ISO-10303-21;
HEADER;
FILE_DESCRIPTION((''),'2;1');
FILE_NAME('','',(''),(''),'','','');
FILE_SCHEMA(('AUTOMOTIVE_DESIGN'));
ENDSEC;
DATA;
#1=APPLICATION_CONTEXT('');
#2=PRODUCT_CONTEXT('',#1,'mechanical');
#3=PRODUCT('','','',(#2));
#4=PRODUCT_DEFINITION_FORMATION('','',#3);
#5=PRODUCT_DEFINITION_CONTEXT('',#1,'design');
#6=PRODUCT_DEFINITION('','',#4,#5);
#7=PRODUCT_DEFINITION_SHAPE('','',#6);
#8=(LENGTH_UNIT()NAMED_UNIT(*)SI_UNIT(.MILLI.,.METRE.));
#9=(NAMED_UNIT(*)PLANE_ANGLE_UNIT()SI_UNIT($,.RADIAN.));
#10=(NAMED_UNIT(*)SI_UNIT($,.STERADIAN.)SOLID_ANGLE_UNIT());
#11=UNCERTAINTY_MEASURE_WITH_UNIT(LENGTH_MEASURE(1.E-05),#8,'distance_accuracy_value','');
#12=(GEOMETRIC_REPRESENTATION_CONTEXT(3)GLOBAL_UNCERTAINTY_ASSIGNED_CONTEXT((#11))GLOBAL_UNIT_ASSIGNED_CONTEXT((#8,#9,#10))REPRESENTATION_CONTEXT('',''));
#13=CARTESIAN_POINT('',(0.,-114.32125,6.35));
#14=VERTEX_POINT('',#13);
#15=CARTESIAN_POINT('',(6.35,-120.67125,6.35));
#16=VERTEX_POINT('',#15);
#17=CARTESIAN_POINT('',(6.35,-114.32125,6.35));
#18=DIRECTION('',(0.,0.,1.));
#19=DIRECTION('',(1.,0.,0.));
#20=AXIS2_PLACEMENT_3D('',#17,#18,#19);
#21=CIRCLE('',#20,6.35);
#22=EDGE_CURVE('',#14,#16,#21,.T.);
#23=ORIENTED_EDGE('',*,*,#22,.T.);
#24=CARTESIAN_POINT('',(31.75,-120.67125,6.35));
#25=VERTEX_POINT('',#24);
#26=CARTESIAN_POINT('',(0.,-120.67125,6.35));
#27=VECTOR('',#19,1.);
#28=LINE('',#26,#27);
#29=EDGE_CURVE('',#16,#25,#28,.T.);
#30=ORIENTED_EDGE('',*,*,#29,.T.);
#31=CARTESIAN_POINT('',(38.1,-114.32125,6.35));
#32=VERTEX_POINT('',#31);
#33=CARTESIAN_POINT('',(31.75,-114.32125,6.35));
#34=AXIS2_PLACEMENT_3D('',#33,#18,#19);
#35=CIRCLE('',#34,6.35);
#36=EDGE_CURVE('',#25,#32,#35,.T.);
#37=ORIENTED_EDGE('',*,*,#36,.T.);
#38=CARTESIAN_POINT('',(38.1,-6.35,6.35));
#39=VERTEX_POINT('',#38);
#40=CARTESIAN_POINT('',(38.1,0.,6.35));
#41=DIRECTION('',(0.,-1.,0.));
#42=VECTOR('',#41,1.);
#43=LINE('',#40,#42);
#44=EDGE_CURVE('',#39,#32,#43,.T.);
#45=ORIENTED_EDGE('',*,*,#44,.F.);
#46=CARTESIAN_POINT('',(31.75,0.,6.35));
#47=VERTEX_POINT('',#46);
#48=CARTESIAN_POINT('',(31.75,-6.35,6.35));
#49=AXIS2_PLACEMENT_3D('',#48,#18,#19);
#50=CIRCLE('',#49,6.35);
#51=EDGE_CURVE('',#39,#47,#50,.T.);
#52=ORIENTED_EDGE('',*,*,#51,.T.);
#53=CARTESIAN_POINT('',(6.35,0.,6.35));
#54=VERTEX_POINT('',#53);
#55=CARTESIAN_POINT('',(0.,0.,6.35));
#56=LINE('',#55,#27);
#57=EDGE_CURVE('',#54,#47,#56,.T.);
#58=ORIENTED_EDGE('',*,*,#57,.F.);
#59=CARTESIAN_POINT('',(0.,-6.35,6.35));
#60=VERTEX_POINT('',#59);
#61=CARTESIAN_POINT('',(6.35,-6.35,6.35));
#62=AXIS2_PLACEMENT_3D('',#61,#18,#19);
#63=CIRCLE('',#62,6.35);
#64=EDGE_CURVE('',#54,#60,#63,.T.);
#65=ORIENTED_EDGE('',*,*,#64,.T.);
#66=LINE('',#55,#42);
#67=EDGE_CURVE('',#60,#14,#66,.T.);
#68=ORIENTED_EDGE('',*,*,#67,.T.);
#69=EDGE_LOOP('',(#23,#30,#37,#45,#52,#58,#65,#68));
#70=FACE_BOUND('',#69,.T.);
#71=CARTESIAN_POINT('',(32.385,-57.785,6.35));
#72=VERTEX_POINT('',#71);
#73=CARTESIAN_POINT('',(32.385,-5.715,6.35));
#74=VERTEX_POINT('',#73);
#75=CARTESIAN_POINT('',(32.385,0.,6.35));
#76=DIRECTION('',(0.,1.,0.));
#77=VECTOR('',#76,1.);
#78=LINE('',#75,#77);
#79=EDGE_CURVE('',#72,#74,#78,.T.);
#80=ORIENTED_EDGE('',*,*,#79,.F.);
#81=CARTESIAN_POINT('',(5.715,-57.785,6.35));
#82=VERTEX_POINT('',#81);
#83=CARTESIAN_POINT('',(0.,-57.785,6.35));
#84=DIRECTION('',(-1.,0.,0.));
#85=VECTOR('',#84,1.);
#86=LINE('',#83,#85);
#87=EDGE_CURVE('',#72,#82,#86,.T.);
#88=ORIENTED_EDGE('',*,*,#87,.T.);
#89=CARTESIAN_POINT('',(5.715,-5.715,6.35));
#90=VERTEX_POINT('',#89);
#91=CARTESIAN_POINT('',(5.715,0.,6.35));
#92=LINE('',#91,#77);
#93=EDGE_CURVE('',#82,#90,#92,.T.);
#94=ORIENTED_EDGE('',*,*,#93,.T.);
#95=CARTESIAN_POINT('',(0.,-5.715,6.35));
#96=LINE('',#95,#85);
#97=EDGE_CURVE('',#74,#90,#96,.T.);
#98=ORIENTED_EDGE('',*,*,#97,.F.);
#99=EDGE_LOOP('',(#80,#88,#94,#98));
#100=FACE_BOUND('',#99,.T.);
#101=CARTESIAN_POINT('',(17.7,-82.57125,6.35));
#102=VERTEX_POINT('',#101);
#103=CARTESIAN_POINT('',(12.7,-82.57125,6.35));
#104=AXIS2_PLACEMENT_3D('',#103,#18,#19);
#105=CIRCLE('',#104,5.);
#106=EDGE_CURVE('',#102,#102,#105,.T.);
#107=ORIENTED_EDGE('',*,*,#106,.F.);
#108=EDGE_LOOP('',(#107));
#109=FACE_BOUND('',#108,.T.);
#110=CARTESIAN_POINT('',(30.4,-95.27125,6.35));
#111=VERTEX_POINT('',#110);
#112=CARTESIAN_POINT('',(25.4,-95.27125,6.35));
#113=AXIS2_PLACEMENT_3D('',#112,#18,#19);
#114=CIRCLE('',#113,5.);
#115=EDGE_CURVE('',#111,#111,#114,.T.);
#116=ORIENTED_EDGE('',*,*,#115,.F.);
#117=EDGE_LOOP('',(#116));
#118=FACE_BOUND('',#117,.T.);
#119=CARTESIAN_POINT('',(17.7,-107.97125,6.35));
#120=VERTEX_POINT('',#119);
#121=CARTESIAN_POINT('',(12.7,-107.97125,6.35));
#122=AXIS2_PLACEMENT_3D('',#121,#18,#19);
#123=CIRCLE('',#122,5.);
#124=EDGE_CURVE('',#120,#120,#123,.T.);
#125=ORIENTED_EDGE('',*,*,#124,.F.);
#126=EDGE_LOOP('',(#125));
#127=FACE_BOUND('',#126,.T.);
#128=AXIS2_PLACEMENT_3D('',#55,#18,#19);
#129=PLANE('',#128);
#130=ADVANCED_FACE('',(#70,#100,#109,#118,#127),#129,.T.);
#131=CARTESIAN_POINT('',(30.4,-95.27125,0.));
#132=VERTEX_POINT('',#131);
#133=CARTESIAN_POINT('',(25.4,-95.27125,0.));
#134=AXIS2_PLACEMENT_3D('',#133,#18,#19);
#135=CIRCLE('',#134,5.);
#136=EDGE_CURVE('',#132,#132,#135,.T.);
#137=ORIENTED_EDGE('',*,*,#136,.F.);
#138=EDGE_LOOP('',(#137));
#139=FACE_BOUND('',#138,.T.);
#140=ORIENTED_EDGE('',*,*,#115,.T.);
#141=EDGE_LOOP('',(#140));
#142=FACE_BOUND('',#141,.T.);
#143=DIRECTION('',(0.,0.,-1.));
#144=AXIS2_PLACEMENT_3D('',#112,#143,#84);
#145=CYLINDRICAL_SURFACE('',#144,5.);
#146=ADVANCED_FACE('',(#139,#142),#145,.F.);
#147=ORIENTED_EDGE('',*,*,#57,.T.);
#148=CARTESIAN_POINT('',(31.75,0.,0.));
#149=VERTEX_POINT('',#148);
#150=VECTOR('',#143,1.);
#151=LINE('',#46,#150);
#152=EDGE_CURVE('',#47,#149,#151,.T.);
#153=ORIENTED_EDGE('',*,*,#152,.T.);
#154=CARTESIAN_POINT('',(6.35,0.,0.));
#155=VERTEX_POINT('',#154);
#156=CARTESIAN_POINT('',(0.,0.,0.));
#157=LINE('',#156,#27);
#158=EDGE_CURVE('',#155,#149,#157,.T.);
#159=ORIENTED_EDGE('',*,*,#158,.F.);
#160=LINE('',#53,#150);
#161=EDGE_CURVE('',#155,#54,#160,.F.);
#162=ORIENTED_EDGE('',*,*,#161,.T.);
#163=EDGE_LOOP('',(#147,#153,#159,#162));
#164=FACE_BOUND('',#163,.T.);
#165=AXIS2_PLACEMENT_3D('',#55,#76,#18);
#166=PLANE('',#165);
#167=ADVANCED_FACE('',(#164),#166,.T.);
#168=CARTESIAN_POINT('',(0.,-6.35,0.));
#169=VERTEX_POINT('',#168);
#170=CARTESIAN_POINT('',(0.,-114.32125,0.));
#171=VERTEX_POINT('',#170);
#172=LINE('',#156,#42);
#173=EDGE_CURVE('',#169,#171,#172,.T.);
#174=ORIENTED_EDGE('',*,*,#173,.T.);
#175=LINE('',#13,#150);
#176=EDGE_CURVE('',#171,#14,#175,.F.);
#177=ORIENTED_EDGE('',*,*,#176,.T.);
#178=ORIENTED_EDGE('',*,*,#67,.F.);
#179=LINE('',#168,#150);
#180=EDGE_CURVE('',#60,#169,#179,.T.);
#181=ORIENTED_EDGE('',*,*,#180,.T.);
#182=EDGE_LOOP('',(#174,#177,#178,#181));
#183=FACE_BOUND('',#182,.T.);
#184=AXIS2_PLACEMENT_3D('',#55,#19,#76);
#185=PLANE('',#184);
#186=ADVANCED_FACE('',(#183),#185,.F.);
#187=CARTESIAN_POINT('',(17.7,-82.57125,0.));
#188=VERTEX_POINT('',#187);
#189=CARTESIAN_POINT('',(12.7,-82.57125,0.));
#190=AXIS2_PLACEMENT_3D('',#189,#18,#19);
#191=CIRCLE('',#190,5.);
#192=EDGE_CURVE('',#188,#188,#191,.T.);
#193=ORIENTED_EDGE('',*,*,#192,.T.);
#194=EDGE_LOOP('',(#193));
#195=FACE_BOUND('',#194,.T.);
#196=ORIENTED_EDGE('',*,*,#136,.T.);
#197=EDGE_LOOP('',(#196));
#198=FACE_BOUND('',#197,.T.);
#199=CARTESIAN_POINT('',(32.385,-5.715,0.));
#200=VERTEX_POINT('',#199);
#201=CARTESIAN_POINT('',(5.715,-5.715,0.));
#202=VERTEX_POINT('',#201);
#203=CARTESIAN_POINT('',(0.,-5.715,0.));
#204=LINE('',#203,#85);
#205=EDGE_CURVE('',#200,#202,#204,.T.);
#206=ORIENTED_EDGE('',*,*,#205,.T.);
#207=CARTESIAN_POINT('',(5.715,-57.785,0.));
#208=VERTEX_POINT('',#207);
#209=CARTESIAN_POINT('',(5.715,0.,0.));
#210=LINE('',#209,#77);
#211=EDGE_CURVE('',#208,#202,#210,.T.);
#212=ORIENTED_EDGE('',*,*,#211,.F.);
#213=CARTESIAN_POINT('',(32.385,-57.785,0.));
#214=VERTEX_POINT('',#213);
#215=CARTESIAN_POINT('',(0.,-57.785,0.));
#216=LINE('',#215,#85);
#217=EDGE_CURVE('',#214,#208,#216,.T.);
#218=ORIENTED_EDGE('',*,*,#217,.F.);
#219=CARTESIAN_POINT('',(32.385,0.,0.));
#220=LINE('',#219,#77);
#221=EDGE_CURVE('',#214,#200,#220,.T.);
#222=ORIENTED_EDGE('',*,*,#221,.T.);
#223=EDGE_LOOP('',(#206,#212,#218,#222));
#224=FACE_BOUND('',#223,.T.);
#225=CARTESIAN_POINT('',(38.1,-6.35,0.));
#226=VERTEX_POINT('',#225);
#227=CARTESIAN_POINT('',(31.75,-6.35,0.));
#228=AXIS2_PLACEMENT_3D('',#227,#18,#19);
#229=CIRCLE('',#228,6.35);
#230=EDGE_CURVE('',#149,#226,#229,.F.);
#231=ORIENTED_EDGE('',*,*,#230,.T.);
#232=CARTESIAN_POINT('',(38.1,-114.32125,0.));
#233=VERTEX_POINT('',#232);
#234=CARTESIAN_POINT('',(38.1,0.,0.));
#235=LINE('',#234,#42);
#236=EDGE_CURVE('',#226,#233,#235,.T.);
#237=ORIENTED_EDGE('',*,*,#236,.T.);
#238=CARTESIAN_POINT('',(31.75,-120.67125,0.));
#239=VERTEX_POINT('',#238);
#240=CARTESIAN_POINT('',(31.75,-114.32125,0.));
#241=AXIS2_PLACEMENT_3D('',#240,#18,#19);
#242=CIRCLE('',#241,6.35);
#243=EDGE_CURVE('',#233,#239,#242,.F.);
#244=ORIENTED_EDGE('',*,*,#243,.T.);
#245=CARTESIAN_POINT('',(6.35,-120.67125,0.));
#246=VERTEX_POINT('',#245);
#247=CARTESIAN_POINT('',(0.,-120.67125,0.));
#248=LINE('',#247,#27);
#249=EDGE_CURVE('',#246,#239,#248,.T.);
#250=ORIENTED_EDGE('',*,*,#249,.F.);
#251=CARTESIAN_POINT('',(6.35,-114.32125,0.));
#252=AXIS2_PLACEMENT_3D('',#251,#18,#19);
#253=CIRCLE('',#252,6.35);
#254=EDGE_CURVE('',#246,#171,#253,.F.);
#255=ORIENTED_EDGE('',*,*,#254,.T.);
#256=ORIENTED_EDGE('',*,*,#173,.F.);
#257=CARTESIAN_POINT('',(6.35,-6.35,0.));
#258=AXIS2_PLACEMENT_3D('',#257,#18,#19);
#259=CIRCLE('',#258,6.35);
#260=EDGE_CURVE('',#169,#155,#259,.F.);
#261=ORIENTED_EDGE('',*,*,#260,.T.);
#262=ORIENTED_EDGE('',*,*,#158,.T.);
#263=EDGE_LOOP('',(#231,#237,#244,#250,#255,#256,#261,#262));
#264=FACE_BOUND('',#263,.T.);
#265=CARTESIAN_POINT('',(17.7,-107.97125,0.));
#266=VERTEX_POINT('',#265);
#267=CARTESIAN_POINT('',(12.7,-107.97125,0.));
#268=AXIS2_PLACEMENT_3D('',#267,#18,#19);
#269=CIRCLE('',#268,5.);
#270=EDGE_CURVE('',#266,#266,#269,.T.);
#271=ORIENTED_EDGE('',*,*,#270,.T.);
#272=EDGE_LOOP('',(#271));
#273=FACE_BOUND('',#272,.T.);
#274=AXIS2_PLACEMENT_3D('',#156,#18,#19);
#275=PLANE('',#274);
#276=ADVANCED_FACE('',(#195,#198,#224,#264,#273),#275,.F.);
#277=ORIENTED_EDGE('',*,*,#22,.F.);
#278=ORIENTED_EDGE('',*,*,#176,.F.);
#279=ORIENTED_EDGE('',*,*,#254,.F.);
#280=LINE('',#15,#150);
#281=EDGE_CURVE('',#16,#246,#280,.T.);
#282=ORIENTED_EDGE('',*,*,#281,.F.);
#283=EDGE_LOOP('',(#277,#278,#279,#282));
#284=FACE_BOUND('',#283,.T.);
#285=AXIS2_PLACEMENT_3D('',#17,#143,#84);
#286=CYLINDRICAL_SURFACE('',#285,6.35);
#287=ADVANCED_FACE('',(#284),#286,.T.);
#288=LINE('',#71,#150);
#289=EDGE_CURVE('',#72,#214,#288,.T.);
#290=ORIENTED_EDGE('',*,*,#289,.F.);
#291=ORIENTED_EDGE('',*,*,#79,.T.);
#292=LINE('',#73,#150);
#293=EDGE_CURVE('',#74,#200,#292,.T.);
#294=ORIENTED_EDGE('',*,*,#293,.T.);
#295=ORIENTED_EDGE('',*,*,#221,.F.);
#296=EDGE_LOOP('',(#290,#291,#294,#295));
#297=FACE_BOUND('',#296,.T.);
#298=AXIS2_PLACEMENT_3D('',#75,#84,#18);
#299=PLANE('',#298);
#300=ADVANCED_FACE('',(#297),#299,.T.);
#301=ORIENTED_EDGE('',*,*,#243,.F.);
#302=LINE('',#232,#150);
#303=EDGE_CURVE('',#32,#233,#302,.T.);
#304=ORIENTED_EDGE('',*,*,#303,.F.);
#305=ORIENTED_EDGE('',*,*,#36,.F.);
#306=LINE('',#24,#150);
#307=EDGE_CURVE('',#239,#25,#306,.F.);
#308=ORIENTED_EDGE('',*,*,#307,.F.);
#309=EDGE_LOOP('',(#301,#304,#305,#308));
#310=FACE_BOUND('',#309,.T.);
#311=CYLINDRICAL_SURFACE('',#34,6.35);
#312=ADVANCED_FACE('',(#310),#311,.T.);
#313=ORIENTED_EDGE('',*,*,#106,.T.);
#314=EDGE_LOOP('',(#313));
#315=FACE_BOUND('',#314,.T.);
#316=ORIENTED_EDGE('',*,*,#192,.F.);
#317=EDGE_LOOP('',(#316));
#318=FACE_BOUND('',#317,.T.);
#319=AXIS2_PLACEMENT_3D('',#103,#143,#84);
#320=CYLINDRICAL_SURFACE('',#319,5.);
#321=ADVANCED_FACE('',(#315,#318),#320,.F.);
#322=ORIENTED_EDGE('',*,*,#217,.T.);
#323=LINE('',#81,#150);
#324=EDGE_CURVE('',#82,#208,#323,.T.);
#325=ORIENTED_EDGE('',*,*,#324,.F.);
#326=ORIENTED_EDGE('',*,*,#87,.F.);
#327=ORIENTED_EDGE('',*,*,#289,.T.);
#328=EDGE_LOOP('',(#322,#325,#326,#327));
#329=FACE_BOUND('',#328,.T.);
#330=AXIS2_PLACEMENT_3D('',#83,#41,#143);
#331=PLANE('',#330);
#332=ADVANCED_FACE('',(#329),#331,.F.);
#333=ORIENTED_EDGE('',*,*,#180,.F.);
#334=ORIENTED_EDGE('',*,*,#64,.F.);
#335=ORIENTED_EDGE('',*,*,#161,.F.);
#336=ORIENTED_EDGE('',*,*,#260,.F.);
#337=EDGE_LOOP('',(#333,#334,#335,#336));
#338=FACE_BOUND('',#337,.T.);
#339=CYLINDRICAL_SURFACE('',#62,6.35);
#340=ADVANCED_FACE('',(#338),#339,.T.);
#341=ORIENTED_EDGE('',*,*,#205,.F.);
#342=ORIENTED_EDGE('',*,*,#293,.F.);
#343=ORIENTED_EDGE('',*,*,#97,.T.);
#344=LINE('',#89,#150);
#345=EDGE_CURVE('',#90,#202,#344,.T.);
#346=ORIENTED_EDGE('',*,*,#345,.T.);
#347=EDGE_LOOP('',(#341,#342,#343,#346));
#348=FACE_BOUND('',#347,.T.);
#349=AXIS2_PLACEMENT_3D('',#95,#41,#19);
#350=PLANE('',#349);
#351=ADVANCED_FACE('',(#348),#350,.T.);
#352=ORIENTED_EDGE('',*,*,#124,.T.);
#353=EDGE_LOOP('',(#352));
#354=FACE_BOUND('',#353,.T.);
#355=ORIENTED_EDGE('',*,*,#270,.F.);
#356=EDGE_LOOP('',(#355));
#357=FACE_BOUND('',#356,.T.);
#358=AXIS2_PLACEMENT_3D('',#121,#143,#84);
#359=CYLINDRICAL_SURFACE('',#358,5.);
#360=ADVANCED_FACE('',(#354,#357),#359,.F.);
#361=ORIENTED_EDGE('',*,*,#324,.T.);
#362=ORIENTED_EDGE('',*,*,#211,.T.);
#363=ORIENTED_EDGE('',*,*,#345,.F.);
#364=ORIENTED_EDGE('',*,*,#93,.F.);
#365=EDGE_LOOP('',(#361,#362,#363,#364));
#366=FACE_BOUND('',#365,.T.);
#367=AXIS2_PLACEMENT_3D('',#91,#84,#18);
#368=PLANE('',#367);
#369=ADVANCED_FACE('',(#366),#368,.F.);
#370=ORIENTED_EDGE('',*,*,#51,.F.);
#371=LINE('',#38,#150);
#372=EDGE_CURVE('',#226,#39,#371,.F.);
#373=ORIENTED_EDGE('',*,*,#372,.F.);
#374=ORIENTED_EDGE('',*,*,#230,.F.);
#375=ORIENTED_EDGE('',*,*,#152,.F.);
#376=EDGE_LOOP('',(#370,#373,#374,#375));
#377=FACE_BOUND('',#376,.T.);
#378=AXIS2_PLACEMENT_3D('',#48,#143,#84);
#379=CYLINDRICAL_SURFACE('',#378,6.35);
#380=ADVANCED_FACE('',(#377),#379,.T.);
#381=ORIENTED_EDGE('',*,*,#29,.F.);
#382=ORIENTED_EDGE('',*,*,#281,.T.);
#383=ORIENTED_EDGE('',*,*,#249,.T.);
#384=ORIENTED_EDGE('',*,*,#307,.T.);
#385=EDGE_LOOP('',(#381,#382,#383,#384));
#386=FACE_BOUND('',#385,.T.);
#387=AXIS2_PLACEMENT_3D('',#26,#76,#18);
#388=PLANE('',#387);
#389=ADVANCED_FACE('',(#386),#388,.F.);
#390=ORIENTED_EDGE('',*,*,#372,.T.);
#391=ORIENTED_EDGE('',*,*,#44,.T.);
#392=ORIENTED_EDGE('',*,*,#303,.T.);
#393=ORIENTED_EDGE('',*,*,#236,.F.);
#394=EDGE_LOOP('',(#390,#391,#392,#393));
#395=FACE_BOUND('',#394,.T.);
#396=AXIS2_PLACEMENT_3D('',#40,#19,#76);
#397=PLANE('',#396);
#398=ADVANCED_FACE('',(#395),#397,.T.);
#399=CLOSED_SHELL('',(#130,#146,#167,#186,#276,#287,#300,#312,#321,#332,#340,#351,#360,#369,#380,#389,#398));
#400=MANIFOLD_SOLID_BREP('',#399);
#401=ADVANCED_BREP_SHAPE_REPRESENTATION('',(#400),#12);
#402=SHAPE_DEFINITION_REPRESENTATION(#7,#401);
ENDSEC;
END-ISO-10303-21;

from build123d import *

# Parameters (mm, degrees)
SKETCH1_W           = 26.67
SKETCH1_H           = 52.07
BOSS_EXTRUDE1_DEPTH = 6.35
FILLET1_R           = 6.35


with BuildPart() as part:
    # Sketch1 → Boss-Extrude1 (new body)
    with BuildSketch(Plane.XY):
        with BuildLine():
            Line((12.7, -63.5), (0, -63.5))
            Line((0, -63.5), (0, -120.671250195))
            Line((0, -120.671250195), (12.7, -120.671250195))
            Line((12.7, -120.671250195), (12.7, -112.971250195))
            ThreePointArc((12.7, -112.971250195), (7.7, -107.971250195), (12.7, -102.971250195))
            Line((12.7, -102.971250195), (12.7, -87.571250195))
            ThreePointArc((12.7, -87.571250195), (7.7, -82.571250195), (12.7, -77.571250195))
            Line((12.7, -77.571250195), (12.7, -63.5))
        make_face()
        with BuildLine():
            Line((25.4, -63.5), (12.7, -63.5))
            Line((12.7, -63.5), (12.7, -77.571250195))
            ThreePointArc((12.7, -77.571250195), (16.235533906, -79.035716289), (17.7, -82.571250195))
            ThreePointArc((17.7, -82.571250195), (16.235533906, -86.106784101), (12.7, -87.571250195))
            Line((12.7, -87.571250195), (12.7, -102.971250195))
            ThreePointArc((12.7, -102.971250195), (16.235533906, -104.435716289), (17.7, -107.971250195))
            ThreePointArc((17.7, -107.971250195), (16.235533906, -111.506784101), (12.7, -112.971250195))
            Line((12.7, -112.971250195), (12.7, -120.671250195))
            Line((12.7, -120.671250195), (25.4, -120.671250195))
            Line((25.4, -120.671250195), (25.4, -100.271250195))
            ThreePointArc((25.4, -100.271250195), (20.4, -95.271250195), (25.4, -90.271250195))
            Line((25.4, -90.271250195), (25.4, -63.5))
        make_face()
        with BuildLine():
            Line((38.1, -120.671250195), (38.1, -63.5))
            Line((38.1, -63.5), (25.4, -63.5))
            Line((25.4, -63.5), (25.4, -90.271250195))
            ThreePointArc((25.4, -90.271250195), (28.935533906, -91.735716289), (30.4, -95.271250195))
            ThreePointArc((30.4, -95.271250195), (28.935533906, -98.806784101), (25.4, -100.271250195))
            Line((25.4, -100.271250195), (25.4, -120.671250195))
            Line((25.4, -120.671250195), (38.1, -120.671250195))
        make_face()
        Polygon((38.1, 0), (0, 0), (0, -63.5), (12.7, -63.5), (25.4, -63.5), (38.1, -63.5), align=None)
        with Locations((19.05, -31.75)):
            Rectangle(SKETCH1_W, SKETCH1_H, mode=Mode.SUBTRACT)
    extrude(amount=BOSS_EXTRUDE1_DEPTH)

    # Fillet1
    fillet1_edges = [part.edges().sort_by_distance(p)[0] for p in [
        (0, -120.671250195, 3.175),
        (0, 0, 3.175),
        (38.1, 0, 3.175),
        (38.1, -120.671250195, 3.175),
    ]]
    fillet(fillet1_edges, radius=FILLET1_R)


solid = part.part
